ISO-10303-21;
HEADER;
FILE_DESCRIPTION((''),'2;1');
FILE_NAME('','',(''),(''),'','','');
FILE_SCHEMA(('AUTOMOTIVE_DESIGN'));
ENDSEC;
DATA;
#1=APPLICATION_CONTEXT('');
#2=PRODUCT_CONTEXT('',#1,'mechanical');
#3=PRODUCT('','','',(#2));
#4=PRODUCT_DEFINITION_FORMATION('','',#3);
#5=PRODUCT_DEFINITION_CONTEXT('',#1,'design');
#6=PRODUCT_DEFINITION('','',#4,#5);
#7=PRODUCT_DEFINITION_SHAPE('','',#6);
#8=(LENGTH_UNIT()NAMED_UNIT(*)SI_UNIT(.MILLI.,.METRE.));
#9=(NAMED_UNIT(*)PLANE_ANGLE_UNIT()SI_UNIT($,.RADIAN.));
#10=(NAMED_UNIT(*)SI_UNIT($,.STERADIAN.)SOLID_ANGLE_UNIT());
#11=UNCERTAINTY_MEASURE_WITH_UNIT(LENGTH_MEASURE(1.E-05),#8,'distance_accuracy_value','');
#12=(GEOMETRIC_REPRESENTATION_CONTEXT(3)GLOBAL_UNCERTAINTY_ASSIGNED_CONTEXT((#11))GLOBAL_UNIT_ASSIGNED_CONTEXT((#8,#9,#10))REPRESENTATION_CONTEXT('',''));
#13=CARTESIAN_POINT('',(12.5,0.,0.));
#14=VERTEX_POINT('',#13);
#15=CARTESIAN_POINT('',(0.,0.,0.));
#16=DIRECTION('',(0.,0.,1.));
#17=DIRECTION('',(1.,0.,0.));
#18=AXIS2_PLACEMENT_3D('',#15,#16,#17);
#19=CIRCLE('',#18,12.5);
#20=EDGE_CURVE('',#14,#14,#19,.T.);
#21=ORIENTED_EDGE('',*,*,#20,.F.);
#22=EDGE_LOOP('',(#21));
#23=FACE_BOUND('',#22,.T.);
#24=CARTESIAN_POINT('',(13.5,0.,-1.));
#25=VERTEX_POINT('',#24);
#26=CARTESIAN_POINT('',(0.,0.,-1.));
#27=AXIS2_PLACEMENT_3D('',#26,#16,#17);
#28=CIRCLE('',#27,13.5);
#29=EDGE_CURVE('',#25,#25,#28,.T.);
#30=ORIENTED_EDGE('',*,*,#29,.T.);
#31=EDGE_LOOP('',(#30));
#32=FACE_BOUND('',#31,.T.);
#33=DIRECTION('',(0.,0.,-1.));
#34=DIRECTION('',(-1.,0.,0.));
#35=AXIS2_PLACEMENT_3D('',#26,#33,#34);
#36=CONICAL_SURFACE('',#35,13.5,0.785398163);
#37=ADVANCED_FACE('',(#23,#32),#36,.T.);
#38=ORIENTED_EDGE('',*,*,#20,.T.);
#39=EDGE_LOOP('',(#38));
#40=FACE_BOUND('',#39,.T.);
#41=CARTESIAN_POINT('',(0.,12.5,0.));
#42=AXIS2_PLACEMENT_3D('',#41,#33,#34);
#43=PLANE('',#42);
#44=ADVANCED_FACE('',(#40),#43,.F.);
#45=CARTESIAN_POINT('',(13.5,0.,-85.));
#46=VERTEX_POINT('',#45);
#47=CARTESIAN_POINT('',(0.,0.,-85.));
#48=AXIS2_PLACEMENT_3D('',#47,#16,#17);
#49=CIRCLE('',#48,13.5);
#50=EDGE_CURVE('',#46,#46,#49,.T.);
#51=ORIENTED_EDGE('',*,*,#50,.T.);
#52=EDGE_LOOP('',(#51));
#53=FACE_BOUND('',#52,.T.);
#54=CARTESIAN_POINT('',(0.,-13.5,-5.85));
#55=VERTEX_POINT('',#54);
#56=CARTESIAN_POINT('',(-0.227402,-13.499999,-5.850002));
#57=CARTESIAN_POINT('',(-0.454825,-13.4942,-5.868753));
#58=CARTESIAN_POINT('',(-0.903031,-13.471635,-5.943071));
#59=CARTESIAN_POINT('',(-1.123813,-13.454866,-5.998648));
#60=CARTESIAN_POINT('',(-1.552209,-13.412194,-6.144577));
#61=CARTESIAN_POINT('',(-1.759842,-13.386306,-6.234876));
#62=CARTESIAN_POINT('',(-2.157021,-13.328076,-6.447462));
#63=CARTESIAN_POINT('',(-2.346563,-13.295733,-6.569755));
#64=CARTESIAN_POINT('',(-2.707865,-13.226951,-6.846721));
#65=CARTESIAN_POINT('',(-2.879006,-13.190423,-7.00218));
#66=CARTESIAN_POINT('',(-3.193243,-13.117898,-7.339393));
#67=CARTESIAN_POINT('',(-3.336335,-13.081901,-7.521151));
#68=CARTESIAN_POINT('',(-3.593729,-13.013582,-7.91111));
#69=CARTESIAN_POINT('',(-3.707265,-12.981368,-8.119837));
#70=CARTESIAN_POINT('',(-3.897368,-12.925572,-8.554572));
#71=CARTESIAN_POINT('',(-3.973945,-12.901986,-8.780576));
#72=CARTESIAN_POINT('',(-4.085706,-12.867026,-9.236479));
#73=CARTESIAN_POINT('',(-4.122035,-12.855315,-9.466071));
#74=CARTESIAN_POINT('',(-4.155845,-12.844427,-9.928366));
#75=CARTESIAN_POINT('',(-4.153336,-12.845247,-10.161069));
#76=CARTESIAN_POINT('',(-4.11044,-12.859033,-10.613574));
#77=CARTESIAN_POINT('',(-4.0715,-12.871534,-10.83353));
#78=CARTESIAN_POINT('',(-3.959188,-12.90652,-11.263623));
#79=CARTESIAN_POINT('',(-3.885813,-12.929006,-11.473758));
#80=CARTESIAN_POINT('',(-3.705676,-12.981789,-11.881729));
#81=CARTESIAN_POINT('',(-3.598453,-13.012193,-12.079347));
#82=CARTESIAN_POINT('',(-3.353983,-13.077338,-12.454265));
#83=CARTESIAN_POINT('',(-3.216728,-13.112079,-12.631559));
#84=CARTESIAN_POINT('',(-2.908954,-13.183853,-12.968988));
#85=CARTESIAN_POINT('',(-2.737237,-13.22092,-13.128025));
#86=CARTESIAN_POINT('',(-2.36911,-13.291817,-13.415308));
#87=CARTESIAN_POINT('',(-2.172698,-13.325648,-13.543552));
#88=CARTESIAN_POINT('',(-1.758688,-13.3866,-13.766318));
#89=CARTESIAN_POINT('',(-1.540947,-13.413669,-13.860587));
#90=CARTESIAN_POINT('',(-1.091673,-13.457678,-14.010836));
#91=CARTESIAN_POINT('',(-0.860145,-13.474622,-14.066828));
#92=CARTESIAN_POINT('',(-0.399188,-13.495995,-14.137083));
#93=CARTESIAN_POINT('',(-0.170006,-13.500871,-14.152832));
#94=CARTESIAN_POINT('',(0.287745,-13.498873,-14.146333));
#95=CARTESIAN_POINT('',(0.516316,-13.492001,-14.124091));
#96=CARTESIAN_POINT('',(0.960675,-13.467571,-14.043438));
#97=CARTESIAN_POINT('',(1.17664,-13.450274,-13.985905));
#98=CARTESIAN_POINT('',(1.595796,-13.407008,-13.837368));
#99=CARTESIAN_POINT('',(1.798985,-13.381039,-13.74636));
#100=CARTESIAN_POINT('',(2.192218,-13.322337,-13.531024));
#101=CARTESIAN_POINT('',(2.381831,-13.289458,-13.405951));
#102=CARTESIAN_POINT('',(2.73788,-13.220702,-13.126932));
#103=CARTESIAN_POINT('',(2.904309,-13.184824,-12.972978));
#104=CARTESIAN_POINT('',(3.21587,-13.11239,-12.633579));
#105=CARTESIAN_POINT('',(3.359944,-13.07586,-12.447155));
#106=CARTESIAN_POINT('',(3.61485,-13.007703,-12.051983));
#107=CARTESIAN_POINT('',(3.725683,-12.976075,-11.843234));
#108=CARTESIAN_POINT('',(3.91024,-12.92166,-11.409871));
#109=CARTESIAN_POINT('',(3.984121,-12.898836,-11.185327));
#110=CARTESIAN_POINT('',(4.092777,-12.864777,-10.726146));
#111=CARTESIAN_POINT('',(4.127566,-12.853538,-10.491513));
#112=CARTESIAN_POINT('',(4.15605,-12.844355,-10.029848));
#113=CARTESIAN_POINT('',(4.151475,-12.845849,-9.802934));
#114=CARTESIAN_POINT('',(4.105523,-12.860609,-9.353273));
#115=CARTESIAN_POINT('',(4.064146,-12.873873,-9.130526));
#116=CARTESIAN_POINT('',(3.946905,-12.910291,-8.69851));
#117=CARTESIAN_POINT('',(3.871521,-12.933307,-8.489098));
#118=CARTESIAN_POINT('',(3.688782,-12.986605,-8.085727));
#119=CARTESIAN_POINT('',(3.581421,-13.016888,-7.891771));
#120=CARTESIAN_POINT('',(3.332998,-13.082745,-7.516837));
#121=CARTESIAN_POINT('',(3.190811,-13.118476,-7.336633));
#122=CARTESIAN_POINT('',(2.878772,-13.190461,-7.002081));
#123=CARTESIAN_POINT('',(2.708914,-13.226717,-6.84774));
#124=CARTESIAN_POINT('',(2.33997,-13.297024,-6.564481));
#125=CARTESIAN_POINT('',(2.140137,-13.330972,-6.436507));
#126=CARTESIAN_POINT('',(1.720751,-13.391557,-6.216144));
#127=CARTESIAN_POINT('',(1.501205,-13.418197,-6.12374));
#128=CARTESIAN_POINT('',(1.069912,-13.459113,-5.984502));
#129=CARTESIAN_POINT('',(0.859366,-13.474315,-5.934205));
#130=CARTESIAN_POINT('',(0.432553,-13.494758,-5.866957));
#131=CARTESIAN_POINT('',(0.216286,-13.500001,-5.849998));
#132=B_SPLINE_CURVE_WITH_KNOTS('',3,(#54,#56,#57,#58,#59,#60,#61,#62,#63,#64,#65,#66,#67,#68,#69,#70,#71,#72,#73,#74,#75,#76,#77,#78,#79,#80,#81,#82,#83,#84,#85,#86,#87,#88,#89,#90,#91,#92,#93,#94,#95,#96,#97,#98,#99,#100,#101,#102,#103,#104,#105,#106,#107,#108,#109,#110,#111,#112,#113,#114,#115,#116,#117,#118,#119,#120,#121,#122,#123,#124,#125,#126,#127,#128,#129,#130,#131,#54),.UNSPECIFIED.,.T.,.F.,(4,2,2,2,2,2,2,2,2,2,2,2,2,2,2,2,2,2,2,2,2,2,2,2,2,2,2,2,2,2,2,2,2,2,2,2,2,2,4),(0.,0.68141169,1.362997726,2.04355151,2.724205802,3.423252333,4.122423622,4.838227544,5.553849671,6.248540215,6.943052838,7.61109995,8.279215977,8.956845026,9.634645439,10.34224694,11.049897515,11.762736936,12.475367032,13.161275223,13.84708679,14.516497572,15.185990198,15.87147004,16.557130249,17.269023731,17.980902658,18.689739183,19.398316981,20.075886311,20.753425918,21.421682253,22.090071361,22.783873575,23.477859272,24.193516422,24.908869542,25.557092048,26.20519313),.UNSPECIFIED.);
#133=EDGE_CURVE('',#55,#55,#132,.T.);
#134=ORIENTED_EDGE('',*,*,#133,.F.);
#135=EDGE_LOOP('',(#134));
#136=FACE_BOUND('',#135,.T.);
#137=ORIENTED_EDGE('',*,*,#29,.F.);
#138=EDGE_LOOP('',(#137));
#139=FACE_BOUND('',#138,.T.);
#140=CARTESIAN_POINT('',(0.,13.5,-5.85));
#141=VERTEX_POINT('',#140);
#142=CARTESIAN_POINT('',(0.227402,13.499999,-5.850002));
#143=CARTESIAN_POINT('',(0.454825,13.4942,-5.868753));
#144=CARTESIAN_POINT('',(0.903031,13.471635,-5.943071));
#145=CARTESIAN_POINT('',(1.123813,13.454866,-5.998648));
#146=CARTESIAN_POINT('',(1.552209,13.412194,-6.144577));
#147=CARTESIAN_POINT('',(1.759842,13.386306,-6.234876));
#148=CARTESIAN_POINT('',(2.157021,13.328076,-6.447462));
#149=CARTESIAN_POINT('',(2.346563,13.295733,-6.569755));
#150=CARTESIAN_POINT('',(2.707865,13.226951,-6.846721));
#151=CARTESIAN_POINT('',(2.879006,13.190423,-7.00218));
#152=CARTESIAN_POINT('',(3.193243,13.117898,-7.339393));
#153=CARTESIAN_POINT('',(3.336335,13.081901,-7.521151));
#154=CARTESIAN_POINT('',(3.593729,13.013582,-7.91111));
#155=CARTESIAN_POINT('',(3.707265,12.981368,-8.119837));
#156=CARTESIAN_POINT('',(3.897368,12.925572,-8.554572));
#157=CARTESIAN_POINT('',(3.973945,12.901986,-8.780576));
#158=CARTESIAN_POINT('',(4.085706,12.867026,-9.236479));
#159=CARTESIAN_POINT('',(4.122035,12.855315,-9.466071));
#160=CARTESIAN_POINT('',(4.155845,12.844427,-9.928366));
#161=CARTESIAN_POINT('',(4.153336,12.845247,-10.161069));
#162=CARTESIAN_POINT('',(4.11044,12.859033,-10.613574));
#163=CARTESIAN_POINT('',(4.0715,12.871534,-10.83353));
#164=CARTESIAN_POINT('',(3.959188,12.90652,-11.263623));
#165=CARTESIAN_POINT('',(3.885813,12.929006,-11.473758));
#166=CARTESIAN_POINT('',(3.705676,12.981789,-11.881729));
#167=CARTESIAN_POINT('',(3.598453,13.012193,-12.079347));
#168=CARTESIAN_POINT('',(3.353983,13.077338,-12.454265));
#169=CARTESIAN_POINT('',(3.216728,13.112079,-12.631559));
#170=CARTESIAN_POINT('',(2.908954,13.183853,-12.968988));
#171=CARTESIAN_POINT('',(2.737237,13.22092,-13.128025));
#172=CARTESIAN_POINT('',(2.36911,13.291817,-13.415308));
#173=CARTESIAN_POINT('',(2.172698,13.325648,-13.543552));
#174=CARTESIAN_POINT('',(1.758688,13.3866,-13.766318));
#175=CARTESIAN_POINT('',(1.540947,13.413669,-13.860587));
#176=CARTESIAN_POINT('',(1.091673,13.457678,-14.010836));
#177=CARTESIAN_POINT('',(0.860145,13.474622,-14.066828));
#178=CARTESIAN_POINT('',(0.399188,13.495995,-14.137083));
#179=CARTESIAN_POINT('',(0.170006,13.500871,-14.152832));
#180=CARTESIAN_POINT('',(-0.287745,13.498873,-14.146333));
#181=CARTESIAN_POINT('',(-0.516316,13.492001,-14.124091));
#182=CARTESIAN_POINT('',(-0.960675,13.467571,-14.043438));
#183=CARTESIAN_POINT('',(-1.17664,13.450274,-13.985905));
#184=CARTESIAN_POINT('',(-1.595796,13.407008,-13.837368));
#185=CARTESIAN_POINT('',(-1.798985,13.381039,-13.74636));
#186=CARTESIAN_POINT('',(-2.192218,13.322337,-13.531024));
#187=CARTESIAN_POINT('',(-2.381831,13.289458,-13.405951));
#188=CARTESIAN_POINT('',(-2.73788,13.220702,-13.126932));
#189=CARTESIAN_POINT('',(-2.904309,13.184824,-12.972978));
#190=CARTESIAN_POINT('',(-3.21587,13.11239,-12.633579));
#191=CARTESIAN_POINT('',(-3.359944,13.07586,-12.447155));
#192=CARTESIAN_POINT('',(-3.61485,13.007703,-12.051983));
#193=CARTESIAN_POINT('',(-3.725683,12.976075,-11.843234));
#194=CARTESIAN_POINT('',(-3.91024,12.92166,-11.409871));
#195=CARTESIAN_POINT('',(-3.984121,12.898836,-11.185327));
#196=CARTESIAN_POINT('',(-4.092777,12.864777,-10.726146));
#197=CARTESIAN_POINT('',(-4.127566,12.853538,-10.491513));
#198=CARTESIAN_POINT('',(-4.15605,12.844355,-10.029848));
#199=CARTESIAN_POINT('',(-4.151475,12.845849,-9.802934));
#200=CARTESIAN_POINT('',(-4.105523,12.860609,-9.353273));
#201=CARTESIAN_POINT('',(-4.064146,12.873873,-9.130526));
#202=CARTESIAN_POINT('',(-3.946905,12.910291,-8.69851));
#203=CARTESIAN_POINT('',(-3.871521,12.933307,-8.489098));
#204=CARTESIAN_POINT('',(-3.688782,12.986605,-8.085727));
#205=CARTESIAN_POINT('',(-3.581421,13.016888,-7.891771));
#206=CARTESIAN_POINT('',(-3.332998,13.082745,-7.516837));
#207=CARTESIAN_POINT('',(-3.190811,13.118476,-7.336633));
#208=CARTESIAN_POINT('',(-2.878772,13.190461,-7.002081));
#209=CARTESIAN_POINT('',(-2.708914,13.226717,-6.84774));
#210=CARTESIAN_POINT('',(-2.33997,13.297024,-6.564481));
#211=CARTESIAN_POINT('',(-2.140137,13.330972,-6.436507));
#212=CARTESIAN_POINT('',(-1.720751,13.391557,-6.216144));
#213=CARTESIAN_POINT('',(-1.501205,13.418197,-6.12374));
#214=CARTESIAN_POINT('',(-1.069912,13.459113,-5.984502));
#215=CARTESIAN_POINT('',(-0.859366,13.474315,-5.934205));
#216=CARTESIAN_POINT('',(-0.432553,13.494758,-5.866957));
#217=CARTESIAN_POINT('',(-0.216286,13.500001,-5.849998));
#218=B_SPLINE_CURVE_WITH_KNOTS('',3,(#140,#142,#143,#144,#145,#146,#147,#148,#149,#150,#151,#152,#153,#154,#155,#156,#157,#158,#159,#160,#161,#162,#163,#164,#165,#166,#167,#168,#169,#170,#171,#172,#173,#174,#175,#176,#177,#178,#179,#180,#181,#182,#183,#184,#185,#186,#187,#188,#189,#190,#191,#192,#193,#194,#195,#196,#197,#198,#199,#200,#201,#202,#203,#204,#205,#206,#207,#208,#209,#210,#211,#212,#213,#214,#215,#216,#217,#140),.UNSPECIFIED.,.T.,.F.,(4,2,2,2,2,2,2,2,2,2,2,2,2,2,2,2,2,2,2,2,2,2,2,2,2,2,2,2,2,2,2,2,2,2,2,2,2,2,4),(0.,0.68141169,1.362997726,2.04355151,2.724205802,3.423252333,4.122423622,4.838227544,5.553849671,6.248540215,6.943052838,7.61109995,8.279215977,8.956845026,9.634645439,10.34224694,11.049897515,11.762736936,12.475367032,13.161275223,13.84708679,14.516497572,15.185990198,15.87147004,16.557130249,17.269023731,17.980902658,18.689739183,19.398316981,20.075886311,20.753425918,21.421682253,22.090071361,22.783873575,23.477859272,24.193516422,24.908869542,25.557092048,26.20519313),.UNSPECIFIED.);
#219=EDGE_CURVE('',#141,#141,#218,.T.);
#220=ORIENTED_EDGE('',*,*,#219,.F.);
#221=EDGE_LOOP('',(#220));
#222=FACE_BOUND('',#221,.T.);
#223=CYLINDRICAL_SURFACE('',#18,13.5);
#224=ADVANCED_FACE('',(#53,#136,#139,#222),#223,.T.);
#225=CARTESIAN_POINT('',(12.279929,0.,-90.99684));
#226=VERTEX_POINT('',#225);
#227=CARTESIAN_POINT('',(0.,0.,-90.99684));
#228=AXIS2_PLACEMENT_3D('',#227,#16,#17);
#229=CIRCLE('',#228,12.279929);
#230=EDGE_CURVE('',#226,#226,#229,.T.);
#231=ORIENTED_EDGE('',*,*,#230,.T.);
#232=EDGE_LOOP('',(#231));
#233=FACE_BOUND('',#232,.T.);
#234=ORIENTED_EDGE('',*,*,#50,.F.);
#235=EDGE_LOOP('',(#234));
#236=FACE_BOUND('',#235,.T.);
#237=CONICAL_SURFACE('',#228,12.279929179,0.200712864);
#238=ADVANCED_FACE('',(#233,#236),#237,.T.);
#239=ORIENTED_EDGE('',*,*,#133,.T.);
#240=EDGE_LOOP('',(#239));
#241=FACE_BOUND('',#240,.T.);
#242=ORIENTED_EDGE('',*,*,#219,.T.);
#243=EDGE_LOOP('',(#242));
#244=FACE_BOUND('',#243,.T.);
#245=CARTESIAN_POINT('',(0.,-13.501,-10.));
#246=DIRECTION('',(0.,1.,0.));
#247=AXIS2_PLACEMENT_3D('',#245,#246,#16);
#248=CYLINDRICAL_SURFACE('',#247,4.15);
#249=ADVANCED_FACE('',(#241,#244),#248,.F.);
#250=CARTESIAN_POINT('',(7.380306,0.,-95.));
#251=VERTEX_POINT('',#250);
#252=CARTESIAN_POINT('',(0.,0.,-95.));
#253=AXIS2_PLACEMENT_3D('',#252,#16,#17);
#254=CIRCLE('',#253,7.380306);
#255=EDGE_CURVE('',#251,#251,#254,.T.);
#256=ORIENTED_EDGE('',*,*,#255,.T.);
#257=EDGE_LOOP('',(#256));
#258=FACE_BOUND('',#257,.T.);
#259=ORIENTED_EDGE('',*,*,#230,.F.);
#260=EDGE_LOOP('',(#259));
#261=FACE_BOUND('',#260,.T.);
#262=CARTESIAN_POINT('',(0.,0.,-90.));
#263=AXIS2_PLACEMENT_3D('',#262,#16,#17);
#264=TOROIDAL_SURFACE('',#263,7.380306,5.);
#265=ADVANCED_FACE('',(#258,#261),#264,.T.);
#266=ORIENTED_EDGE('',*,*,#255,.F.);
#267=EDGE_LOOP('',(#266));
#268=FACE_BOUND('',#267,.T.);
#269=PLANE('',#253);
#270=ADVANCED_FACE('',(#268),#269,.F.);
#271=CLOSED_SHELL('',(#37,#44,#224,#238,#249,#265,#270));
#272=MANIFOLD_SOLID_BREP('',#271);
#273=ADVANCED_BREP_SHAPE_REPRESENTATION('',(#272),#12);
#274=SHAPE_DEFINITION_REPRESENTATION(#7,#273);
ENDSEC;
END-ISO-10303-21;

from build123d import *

# Parameters (mm, degrees)
CUT_EXTRUDE_1_REACH = 29
SKETCH_2_R          = 4.15


with BuildPart() as part:
    # 스케치1 → 회전1 (revolve)
    with BuildSketch(Plane(origin=(0, 0, 0), x_dir=(0, 0, -1), z_dir=(1, 0, 0)), mode=Mode.PRIVATE) as revolve_1_sk:
        with BuildLine():
            Line((1, 13.5), (85, 13.5))
            Line((85, 13.5), (90.996839672, 12.279929179))
            ThreePointArc((90.996839672, 12.279929179), (93.87196322, 10.543832299), (95, 7.380305656))
            Line((95, 7.380305656), (95, 0))
            Line((95, 0), (0, 0))
            Line((0, 0), (0, 12.5))
            Line((0, 12.5), (1, 13.5))
        make_face()
    revolve(revolve_1_sk.sketch.rotate(Axis((0, 0, 0), (0, 0, -1)), 90), axis=Axis((0, 0, 0), (0, 0, -1)))  # turned: the seam where the file's is

    # 스케치2 → 컷-돌출1 (cut, up to next)
    with BuildSketch(Plane(origin=(0, 13.5, 0), x_dir=(1, 0, 0), z_dir=(0, 1, 0)), mode=Mode.PRIVATE) as cut_extrude_1_sk1:
        with Locations(Location((0, 10, 0), (0, 0, 270))):  # turned: the seam where the file's is
            Circle(SKETCH_2_R)
    cut_extrude_1_tool1 = extrude(cut_extrude_1_sk1.sketch, amount=-CUT_EXTRUDE_1_REACH, mode=Mode.PRIVATE) & part.part
    add(cut_extrude_1_tool1.solids().sort_by_distance((0, 13.5, -10))[0], mode=Mode.SUBTRACT)


solid = part.part
